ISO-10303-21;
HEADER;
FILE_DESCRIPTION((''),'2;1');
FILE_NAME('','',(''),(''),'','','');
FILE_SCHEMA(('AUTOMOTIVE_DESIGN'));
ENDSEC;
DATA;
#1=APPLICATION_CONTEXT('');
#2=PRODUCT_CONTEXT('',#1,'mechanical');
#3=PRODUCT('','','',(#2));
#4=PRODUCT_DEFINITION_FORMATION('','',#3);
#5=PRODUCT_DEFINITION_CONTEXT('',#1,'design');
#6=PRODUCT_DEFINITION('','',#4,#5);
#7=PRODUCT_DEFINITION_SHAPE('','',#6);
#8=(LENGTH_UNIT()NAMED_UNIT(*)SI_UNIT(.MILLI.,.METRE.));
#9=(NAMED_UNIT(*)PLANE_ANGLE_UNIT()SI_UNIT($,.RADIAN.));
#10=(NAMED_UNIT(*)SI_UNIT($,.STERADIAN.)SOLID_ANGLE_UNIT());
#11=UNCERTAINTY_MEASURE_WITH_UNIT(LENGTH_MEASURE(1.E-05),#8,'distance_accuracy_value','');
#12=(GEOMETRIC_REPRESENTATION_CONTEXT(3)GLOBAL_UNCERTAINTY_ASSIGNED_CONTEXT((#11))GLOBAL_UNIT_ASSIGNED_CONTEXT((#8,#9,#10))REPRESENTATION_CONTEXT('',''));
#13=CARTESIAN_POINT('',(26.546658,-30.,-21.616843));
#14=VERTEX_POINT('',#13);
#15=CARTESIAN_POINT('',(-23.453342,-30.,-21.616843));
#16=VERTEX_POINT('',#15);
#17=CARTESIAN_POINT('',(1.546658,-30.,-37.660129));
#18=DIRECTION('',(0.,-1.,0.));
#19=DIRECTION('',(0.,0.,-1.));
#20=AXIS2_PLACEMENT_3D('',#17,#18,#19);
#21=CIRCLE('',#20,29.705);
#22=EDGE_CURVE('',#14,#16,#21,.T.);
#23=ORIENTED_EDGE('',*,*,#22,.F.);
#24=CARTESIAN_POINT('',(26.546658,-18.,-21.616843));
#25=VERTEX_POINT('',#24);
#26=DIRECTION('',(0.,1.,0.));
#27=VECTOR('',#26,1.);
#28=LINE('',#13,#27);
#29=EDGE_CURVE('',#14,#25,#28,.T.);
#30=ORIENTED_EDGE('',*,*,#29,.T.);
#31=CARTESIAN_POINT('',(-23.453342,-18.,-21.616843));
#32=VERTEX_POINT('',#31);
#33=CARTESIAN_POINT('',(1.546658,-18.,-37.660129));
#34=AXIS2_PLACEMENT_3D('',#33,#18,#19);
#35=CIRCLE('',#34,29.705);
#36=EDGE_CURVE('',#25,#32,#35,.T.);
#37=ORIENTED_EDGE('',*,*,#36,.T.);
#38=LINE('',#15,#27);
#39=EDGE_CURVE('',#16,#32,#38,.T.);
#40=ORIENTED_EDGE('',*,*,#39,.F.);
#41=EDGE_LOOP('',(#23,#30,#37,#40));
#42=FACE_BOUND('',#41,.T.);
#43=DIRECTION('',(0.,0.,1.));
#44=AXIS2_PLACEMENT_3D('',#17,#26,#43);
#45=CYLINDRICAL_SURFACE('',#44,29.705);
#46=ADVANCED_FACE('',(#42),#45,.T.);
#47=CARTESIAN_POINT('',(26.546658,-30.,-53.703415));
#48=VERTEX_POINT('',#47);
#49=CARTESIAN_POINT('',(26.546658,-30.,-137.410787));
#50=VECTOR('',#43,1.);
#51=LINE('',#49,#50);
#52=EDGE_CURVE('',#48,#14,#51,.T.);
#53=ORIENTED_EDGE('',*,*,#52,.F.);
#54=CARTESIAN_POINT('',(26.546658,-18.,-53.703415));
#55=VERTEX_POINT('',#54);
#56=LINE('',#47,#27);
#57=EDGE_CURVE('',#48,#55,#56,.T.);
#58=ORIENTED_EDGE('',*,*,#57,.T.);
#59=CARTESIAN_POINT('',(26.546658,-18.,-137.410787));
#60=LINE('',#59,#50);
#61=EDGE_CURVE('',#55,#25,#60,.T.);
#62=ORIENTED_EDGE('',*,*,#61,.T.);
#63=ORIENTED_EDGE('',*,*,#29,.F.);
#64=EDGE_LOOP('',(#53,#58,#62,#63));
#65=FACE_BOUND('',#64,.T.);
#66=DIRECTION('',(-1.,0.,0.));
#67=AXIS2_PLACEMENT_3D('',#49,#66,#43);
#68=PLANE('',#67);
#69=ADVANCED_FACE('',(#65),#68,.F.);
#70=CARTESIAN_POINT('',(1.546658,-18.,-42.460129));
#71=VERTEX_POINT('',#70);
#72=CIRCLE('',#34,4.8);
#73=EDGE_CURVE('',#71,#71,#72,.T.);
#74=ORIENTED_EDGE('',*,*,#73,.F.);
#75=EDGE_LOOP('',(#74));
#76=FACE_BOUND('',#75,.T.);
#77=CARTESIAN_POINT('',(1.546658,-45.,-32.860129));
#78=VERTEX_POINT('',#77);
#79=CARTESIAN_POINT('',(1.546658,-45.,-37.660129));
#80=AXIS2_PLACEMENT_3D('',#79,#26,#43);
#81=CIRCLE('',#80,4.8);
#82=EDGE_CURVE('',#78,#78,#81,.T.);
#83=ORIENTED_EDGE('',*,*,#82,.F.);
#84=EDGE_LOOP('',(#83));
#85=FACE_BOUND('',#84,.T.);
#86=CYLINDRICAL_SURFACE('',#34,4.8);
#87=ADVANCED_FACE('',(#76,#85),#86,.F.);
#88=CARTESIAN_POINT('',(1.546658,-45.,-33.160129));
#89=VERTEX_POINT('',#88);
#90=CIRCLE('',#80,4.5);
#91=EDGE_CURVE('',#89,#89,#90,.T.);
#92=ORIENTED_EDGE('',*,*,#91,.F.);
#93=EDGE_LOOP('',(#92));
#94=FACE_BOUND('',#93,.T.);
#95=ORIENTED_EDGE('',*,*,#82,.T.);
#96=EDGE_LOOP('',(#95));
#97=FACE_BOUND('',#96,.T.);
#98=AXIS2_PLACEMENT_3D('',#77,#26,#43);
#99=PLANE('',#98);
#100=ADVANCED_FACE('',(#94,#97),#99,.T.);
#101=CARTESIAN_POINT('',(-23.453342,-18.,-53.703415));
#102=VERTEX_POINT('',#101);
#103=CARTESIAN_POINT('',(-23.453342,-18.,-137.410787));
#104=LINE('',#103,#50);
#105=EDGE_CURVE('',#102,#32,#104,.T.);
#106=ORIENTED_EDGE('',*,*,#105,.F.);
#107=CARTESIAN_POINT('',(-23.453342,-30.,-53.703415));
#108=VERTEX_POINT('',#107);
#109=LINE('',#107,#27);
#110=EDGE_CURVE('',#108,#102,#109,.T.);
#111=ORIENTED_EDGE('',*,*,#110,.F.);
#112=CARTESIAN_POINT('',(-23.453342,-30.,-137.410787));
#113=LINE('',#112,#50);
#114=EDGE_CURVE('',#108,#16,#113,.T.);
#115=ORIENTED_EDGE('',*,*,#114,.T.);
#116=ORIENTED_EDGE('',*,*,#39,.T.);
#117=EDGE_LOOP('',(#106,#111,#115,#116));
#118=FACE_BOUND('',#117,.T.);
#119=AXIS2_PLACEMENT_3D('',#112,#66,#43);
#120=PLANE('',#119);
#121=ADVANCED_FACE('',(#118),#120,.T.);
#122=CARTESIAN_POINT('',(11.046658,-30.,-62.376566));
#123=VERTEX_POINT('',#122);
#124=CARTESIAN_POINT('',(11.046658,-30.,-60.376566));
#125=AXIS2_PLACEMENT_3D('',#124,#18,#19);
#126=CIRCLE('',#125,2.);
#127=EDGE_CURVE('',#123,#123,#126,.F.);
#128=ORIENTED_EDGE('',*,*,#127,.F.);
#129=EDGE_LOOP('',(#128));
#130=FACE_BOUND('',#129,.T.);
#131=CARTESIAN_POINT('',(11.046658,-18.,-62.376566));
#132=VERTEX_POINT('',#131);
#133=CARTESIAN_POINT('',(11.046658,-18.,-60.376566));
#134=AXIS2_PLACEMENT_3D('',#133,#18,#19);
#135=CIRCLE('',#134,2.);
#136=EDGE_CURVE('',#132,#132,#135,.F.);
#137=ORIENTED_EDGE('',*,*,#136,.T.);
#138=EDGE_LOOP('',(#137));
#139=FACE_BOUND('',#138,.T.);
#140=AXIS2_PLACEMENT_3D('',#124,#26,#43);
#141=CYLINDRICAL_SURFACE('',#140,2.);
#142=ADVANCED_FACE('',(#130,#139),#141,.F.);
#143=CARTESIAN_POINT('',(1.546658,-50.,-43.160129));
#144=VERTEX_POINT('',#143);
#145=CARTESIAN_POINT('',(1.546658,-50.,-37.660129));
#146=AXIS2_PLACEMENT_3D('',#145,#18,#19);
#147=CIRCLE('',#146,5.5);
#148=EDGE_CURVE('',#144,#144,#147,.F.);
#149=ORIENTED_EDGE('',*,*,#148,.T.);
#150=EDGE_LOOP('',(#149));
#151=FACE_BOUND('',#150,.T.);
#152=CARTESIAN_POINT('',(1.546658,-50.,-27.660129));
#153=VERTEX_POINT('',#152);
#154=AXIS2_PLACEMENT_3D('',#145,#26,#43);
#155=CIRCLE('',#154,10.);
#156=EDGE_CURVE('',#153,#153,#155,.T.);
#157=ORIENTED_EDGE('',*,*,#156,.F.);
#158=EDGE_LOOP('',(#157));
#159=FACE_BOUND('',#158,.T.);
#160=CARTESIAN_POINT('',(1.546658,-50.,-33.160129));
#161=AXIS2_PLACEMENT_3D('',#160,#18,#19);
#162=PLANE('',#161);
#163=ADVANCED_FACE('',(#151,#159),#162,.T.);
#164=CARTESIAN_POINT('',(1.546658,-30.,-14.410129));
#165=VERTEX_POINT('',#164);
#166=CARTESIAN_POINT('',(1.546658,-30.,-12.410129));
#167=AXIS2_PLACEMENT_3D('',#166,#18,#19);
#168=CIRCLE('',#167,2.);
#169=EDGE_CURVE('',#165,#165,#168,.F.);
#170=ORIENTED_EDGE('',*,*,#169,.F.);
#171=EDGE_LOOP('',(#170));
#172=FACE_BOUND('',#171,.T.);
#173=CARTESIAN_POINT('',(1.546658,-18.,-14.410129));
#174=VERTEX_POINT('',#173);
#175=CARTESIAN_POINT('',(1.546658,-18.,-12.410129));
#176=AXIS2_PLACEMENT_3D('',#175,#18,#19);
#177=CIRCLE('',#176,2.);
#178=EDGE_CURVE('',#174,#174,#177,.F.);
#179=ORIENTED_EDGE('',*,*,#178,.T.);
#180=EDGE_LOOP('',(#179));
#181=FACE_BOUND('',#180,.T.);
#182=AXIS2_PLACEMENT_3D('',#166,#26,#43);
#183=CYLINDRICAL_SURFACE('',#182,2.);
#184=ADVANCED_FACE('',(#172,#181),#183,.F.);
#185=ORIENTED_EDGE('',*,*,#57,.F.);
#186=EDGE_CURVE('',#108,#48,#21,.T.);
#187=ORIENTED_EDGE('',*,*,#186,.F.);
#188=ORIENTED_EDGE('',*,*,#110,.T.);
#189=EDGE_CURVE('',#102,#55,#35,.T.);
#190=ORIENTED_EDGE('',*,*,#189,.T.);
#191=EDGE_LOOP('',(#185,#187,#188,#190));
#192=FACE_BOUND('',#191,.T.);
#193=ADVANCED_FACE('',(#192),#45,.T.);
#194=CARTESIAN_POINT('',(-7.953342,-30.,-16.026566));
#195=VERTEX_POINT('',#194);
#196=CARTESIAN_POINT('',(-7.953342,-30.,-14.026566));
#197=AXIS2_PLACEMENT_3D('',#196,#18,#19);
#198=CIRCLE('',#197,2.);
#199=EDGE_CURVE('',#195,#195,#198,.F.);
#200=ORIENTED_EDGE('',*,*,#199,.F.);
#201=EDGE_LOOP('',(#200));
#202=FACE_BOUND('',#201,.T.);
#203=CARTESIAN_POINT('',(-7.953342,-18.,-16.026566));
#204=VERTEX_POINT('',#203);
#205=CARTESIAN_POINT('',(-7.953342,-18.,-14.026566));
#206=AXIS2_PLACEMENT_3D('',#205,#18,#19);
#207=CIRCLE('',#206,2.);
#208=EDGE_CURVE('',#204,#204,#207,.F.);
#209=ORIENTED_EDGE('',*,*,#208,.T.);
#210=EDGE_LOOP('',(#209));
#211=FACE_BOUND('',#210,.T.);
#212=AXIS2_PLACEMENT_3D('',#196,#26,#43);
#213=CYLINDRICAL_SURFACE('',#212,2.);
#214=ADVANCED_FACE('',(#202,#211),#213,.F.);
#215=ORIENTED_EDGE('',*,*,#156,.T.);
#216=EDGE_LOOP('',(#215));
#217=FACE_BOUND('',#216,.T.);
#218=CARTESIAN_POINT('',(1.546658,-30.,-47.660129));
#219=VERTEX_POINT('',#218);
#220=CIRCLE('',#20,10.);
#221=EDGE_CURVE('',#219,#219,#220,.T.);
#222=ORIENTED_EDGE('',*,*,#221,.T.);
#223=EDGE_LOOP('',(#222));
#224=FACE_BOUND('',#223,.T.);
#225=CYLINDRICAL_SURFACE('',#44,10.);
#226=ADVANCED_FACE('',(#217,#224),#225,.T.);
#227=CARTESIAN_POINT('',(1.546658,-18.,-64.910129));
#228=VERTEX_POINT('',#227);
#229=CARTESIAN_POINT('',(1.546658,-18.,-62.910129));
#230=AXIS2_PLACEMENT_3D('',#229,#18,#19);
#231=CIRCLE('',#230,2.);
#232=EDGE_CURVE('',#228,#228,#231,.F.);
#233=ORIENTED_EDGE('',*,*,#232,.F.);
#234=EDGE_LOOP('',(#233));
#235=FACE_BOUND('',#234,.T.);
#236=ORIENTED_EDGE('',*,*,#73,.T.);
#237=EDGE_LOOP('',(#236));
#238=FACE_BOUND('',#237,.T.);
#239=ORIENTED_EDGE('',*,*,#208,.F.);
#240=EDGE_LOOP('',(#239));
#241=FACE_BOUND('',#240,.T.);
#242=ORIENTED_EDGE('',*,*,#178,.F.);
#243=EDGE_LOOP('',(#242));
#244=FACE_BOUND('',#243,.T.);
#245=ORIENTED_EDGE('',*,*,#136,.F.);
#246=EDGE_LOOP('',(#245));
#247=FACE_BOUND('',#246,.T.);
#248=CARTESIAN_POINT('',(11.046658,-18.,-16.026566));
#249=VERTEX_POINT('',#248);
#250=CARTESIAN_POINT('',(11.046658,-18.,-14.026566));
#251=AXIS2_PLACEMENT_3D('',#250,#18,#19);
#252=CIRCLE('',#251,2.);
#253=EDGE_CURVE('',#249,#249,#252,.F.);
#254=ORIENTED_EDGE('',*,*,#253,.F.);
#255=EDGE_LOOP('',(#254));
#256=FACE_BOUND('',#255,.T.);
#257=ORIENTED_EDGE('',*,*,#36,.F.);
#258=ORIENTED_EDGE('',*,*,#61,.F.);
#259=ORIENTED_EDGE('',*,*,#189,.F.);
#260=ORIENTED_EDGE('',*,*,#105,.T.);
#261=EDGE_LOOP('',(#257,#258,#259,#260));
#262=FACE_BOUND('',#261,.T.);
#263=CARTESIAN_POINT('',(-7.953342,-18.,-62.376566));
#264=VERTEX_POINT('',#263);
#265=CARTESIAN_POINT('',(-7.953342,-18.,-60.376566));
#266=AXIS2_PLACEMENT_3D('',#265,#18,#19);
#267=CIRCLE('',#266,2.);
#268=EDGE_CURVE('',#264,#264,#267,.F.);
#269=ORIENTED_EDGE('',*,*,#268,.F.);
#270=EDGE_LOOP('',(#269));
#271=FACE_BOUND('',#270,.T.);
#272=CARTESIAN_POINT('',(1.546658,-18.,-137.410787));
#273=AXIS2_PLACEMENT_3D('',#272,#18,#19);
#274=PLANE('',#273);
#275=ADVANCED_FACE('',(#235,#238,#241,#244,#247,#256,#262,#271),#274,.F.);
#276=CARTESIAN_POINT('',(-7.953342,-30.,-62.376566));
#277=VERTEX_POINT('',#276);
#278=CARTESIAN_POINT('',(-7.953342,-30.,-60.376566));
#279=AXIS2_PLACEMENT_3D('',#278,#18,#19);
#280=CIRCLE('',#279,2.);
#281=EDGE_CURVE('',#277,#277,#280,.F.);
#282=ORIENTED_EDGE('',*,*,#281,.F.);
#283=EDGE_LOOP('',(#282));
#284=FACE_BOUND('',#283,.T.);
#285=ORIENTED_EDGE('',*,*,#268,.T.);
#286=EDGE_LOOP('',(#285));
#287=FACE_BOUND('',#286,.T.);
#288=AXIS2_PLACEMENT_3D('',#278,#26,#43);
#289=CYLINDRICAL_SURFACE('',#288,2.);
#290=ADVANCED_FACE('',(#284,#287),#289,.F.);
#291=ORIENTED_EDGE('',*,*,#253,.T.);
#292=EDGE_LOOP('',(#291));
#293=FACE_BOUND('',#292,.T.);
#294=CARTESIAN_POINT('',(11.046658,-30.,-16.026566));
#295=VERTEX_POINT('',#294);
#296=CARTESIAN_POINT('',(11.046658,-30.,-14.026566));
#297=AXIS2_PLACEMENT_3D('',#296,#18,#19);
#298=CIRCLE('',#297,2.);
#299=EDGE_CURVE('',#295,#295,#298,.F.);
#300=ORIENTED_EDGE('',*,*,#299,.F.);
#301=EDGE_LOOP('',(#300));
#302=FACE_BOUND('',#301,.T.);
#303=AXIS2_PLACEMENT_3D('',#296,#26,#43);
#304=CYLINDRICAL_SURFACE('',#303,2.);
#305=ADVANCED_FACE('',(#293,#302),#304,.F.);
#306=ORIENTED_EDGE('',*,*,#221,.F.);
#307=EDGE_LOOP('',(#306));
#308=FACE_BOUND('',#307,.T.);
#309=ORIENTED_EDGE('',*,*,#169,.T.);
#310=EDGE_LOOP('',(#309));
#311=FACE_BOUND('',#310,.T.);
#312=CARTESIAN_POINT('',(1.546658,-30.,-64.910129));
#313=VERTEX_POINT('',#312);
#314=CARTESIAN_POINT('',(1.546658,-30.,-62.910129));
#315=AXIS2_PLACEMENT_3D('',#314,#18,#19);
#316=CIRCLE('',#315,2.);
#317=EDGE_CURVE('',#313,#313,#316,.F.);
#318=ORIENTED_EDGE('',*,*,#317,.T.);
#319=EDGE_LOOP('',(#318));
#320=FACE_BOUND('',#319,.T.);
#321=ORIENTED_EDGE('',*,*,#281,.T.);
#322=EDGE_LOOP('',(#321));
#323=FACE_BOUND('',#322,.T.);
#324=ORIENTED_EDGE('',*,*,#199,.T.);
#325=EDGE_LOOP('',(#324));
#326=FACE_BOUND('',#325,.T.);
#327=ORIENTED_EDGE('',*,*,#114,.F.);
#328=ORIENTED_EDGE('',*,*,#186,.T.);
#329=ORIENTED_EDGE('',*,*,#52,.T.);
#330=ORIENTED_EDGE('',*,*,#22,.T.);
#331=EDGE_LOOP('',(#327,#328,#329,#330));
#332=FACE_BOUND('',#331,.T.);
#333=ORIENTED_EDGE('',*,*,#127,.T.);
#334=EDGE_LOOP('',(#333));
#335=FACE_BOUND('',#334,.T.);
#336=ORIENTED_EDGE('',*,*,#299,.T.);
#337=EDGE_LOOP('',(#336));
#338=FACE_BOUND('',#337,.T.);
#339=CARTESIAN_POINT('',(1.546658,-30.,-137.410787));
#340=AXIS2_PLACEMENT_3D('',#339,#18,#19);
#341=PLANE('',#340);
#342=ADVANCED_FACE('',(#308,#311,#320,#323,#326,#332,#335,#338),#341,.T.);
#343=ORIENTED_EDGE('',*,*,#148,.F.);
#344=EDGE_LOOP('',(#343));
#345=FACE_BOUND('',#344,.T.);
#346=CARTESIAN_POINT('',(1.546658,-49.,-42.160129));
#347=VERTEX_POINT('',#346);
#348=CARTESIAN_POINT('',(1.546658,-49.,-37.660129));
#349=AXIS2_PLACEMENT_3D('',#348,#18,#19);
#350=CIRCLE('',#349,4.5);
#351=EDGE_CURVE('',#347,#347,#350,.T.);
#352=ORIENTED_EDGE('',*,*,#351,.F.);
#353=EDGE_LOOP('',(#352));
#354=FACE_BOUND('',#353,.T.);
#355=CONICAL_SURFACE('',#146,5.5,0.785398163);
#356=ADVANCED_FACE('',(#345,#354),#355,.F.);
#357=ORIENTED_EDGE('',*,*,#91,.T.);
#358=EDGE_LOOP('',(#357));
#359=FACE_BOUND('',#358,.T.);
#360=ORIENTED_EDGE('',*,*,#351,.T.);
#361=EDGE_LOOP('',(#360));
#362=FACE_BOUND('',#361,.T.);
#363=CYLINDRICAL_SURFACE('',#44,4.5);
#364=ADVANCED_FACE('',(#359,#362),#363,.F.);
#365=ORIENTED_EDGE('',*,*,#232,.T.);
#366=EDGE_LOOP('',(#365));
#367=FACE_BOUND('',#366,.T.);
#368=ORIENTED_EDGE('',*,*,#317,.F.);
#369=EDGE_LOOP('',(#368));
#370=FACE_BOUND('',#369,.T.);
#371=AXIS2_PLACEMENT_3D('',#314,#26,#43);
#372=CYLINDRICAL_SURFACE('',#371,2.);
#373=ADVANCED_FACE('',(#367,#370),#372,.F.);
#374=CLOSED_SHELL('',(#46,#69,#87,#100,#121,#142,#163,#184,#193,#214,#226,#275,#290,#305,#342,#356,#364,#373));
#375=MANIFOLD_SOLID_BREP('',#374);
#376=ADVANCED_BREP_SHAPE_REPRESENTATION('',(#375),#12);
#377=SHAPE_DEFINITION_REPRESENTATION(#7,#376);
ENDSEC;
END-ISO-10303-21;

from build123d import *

# Parameters (mm, degrees)
SKETCH1_R           = 2
BOSS_EXTRUDE1_DEPTH = 12
SKETCH2_R           = 4.8
CUT_EXTRUDE1_DEPTH  = 74.394724572
CHAMFER1_SIZE       = 1


with BuildPart() as part:
    # Sketch1 → Boss-Extrude1 (new body)
    # profile 1 of 2: a face of its own
    with BuildSketch(Plane.XZ.offset(18)):
        with BuildLine():
            Line((-23.453342414, -21.61684273), (-23.453342414, -53.703414688))
            ThreePointArc((-23.453342414, -53.703414688), (1.546657586, -67.365128709), (26.546657586, -53.703414688))
            Line((26.546657586, -53.703414688), (26.546657586, -21.61684273))
            ThreePointArc((26.546657586, -21.61684273), (1.546657586, -7.955128709), (-23.453342414, -21.61684273))
        make_face()
        with Locations(Location((-7.953342414, -60.376565813, 0), (0, 0, 270))):
            Circle(SKETCH1_R, mode=Mode.SUBTRACT)
        with BuildLine():
            ThreePointArc((16.671348492, -51.125128709), (1.546657586, -57.910128709), (-13.57803332, -51.125128709))
            Line((-13.57803332, -51.125128709), (-13.57803332, -45.660128709))
            Line((-13.57803332, -45.660128709), (-17.056097586, -45.660128709))
            ThreePointArc((-17.056097586, -45.660128709), (-18.703342414, -37.660128709), (-17.056097586, -29.660128709))
            Line((-17.056097586, -29.660128709), (-13.57803332, -29.660128709))
            Line((-13.57803332, -29.660128709), (-13.57803332, -24.195128709))
            ThreePointArc((-13.57803332, -24.195128709), (1.546657586, -17.410128709), (16.671348492, -24.195128709))
            Line((16.671348492, -24.195128709), (16.671348492, -29.660128709))
            Line((16.671348492, -29.660128709), (20.149412759, -29.660128709))
            Line((20.149412759, -29.660128709), (20.149412759, -32.660128709))
            Line((20.149412759, -32.660128709), (16.671348492, -32.660128709))
            Line((16.671348492, -32.660128709), (16.671348492, -42.660128709))
            Line((16.671348492, -42.660128709), (20.149412759, -42.660128709))
            Line((20.149412759, -42.660128709), (20.149412759, -45.660128709))
            Line((20.149412759, -45.660128709), (16.671348492, -45.660128709))
            Line((16.671348492, -45.660128709), (16.671348492, -51.125128709))
        make_face(mode=Mode.SUBTRACT)
        with Locations(Location((1.546657586, -62.910128709, 0), (0, 0, 270))):
            Circle(SKETCH1_R, mode=Mode.SUBTRACT)
        with Locations(Location((11.046657586, -60.376565813, 0), (0, 0, 270))):
            Circle(SKETCH1_R, mode=Mode.SUBTRACT)
        with Locations(Location((-7.953342414, -14.026565813, 0), (0, 0, 270))):
            Circle(SKETCH1_R, mode=Mode.SUBTRACT)
        with Locations(Location((11.046657586, -14.026565813, 0), (0, 0, 270))):
            Circle(SKETCH1_R, mode=Mode.SUBTRACT)
        with Locations(Location((1.546657586, -12.410128709, 0), (0, 0, 270))):
            Circle(SKETCH1_R, mode=Mode.SUBTRACT)
    # profile 2 of 2: a face of its own
    with BuildSketch(Plane.XZ.offset(18)):
        with BuildLine():
            Line((-13.57803332, -51.125128709), (-13.57803332, -45.660128709))
            Line((-13.57803332, -45.660128709), (-17.056097586, -45.660128709))
            ThreePointArc((-17.056097586, -45.660128709), (-18.703342414, -37.660128709), (-17.056097586, -29.660128709))
            Line((-17.056097586, -29.660128709), (-13.57803332, -29.660128709))
            Line((-13.57803332, -29.660128709), (-13.57803332, -24.195128709))
            ThreePointArc((-13.57803332, -24.195128709), (1.546657586, -17.410128709), (16.671348492, -24.195128709))
            Line((16.671348492, -24.195128709), (16.671348492, -29.660128709))
            Line((16.671348492, -29.660128709), (20.149412759, -29.660128709))
            Line((20.149412759, -29.660128709), (20.149412759, -32.660128709))
            Line((20.149412759, -32.660128709), (16.671348492, -32.660128709))
            Line((16.671348492, -32.660128709), (16.671348492, -42.660128709))
            Line((16.671348492, -42.660128709), (20.149412759, -42.660128709))
            Line((20.149412759, -42.660128709), (20.149412759, -45.660128709))
            Line((20.149412759, -45.660128709), (16.671348492, -45.660128709))
            Line((16.671348492, -45.660128709), (16.671348492, -51.125128709))
            ThreePointArc((16.671348492, -51.125128709), (1.546657586, -57.910128709), (-13.57803332, -51.125128709))
        make_face()
    extrude(amount=BOSS_EXTRUDE1_DEPTH)

    # Sketch2 → Cut-Extrude1 (cut, through all)
    with BuildSketch(Plane.XZ.offset(30)):
        with Locations(Location((1.546657586, -37.660128709, 0), (0, 0, 270))):
            Circle(SKETCH2_R)
    extrude(amount=-CUT_EXTRUDE1_DEPTH, mode=Mode.SUBTRACT)

    # Sketch3 → Revolve1 (revolve)
    with BuildSketch(Plane(origin=(1.546657586, 0, 0), x_dir=(0, 0, -1), z_dir=(1, 0, 0))):
        Polygon((27.660128709, -50), (27.660128709, -30), (32.860128709, -30), (32.860128709, -45), (33.160128709, -45), (33.160128709, -50), align=None)
    revolve(axis=Axis((1.546657586, -30, -37.660128709), (0, -1, 0)))

    # Chamfer1
    chamfer1_edges = [part.edges().sort_by_distance(p)[0] for p in [
        (1.546657586, -50, -42.160128709),
    ]]
    chamfer(chamfer1_edges, length=CHAMFER1_SIZE)


solid = part.part
